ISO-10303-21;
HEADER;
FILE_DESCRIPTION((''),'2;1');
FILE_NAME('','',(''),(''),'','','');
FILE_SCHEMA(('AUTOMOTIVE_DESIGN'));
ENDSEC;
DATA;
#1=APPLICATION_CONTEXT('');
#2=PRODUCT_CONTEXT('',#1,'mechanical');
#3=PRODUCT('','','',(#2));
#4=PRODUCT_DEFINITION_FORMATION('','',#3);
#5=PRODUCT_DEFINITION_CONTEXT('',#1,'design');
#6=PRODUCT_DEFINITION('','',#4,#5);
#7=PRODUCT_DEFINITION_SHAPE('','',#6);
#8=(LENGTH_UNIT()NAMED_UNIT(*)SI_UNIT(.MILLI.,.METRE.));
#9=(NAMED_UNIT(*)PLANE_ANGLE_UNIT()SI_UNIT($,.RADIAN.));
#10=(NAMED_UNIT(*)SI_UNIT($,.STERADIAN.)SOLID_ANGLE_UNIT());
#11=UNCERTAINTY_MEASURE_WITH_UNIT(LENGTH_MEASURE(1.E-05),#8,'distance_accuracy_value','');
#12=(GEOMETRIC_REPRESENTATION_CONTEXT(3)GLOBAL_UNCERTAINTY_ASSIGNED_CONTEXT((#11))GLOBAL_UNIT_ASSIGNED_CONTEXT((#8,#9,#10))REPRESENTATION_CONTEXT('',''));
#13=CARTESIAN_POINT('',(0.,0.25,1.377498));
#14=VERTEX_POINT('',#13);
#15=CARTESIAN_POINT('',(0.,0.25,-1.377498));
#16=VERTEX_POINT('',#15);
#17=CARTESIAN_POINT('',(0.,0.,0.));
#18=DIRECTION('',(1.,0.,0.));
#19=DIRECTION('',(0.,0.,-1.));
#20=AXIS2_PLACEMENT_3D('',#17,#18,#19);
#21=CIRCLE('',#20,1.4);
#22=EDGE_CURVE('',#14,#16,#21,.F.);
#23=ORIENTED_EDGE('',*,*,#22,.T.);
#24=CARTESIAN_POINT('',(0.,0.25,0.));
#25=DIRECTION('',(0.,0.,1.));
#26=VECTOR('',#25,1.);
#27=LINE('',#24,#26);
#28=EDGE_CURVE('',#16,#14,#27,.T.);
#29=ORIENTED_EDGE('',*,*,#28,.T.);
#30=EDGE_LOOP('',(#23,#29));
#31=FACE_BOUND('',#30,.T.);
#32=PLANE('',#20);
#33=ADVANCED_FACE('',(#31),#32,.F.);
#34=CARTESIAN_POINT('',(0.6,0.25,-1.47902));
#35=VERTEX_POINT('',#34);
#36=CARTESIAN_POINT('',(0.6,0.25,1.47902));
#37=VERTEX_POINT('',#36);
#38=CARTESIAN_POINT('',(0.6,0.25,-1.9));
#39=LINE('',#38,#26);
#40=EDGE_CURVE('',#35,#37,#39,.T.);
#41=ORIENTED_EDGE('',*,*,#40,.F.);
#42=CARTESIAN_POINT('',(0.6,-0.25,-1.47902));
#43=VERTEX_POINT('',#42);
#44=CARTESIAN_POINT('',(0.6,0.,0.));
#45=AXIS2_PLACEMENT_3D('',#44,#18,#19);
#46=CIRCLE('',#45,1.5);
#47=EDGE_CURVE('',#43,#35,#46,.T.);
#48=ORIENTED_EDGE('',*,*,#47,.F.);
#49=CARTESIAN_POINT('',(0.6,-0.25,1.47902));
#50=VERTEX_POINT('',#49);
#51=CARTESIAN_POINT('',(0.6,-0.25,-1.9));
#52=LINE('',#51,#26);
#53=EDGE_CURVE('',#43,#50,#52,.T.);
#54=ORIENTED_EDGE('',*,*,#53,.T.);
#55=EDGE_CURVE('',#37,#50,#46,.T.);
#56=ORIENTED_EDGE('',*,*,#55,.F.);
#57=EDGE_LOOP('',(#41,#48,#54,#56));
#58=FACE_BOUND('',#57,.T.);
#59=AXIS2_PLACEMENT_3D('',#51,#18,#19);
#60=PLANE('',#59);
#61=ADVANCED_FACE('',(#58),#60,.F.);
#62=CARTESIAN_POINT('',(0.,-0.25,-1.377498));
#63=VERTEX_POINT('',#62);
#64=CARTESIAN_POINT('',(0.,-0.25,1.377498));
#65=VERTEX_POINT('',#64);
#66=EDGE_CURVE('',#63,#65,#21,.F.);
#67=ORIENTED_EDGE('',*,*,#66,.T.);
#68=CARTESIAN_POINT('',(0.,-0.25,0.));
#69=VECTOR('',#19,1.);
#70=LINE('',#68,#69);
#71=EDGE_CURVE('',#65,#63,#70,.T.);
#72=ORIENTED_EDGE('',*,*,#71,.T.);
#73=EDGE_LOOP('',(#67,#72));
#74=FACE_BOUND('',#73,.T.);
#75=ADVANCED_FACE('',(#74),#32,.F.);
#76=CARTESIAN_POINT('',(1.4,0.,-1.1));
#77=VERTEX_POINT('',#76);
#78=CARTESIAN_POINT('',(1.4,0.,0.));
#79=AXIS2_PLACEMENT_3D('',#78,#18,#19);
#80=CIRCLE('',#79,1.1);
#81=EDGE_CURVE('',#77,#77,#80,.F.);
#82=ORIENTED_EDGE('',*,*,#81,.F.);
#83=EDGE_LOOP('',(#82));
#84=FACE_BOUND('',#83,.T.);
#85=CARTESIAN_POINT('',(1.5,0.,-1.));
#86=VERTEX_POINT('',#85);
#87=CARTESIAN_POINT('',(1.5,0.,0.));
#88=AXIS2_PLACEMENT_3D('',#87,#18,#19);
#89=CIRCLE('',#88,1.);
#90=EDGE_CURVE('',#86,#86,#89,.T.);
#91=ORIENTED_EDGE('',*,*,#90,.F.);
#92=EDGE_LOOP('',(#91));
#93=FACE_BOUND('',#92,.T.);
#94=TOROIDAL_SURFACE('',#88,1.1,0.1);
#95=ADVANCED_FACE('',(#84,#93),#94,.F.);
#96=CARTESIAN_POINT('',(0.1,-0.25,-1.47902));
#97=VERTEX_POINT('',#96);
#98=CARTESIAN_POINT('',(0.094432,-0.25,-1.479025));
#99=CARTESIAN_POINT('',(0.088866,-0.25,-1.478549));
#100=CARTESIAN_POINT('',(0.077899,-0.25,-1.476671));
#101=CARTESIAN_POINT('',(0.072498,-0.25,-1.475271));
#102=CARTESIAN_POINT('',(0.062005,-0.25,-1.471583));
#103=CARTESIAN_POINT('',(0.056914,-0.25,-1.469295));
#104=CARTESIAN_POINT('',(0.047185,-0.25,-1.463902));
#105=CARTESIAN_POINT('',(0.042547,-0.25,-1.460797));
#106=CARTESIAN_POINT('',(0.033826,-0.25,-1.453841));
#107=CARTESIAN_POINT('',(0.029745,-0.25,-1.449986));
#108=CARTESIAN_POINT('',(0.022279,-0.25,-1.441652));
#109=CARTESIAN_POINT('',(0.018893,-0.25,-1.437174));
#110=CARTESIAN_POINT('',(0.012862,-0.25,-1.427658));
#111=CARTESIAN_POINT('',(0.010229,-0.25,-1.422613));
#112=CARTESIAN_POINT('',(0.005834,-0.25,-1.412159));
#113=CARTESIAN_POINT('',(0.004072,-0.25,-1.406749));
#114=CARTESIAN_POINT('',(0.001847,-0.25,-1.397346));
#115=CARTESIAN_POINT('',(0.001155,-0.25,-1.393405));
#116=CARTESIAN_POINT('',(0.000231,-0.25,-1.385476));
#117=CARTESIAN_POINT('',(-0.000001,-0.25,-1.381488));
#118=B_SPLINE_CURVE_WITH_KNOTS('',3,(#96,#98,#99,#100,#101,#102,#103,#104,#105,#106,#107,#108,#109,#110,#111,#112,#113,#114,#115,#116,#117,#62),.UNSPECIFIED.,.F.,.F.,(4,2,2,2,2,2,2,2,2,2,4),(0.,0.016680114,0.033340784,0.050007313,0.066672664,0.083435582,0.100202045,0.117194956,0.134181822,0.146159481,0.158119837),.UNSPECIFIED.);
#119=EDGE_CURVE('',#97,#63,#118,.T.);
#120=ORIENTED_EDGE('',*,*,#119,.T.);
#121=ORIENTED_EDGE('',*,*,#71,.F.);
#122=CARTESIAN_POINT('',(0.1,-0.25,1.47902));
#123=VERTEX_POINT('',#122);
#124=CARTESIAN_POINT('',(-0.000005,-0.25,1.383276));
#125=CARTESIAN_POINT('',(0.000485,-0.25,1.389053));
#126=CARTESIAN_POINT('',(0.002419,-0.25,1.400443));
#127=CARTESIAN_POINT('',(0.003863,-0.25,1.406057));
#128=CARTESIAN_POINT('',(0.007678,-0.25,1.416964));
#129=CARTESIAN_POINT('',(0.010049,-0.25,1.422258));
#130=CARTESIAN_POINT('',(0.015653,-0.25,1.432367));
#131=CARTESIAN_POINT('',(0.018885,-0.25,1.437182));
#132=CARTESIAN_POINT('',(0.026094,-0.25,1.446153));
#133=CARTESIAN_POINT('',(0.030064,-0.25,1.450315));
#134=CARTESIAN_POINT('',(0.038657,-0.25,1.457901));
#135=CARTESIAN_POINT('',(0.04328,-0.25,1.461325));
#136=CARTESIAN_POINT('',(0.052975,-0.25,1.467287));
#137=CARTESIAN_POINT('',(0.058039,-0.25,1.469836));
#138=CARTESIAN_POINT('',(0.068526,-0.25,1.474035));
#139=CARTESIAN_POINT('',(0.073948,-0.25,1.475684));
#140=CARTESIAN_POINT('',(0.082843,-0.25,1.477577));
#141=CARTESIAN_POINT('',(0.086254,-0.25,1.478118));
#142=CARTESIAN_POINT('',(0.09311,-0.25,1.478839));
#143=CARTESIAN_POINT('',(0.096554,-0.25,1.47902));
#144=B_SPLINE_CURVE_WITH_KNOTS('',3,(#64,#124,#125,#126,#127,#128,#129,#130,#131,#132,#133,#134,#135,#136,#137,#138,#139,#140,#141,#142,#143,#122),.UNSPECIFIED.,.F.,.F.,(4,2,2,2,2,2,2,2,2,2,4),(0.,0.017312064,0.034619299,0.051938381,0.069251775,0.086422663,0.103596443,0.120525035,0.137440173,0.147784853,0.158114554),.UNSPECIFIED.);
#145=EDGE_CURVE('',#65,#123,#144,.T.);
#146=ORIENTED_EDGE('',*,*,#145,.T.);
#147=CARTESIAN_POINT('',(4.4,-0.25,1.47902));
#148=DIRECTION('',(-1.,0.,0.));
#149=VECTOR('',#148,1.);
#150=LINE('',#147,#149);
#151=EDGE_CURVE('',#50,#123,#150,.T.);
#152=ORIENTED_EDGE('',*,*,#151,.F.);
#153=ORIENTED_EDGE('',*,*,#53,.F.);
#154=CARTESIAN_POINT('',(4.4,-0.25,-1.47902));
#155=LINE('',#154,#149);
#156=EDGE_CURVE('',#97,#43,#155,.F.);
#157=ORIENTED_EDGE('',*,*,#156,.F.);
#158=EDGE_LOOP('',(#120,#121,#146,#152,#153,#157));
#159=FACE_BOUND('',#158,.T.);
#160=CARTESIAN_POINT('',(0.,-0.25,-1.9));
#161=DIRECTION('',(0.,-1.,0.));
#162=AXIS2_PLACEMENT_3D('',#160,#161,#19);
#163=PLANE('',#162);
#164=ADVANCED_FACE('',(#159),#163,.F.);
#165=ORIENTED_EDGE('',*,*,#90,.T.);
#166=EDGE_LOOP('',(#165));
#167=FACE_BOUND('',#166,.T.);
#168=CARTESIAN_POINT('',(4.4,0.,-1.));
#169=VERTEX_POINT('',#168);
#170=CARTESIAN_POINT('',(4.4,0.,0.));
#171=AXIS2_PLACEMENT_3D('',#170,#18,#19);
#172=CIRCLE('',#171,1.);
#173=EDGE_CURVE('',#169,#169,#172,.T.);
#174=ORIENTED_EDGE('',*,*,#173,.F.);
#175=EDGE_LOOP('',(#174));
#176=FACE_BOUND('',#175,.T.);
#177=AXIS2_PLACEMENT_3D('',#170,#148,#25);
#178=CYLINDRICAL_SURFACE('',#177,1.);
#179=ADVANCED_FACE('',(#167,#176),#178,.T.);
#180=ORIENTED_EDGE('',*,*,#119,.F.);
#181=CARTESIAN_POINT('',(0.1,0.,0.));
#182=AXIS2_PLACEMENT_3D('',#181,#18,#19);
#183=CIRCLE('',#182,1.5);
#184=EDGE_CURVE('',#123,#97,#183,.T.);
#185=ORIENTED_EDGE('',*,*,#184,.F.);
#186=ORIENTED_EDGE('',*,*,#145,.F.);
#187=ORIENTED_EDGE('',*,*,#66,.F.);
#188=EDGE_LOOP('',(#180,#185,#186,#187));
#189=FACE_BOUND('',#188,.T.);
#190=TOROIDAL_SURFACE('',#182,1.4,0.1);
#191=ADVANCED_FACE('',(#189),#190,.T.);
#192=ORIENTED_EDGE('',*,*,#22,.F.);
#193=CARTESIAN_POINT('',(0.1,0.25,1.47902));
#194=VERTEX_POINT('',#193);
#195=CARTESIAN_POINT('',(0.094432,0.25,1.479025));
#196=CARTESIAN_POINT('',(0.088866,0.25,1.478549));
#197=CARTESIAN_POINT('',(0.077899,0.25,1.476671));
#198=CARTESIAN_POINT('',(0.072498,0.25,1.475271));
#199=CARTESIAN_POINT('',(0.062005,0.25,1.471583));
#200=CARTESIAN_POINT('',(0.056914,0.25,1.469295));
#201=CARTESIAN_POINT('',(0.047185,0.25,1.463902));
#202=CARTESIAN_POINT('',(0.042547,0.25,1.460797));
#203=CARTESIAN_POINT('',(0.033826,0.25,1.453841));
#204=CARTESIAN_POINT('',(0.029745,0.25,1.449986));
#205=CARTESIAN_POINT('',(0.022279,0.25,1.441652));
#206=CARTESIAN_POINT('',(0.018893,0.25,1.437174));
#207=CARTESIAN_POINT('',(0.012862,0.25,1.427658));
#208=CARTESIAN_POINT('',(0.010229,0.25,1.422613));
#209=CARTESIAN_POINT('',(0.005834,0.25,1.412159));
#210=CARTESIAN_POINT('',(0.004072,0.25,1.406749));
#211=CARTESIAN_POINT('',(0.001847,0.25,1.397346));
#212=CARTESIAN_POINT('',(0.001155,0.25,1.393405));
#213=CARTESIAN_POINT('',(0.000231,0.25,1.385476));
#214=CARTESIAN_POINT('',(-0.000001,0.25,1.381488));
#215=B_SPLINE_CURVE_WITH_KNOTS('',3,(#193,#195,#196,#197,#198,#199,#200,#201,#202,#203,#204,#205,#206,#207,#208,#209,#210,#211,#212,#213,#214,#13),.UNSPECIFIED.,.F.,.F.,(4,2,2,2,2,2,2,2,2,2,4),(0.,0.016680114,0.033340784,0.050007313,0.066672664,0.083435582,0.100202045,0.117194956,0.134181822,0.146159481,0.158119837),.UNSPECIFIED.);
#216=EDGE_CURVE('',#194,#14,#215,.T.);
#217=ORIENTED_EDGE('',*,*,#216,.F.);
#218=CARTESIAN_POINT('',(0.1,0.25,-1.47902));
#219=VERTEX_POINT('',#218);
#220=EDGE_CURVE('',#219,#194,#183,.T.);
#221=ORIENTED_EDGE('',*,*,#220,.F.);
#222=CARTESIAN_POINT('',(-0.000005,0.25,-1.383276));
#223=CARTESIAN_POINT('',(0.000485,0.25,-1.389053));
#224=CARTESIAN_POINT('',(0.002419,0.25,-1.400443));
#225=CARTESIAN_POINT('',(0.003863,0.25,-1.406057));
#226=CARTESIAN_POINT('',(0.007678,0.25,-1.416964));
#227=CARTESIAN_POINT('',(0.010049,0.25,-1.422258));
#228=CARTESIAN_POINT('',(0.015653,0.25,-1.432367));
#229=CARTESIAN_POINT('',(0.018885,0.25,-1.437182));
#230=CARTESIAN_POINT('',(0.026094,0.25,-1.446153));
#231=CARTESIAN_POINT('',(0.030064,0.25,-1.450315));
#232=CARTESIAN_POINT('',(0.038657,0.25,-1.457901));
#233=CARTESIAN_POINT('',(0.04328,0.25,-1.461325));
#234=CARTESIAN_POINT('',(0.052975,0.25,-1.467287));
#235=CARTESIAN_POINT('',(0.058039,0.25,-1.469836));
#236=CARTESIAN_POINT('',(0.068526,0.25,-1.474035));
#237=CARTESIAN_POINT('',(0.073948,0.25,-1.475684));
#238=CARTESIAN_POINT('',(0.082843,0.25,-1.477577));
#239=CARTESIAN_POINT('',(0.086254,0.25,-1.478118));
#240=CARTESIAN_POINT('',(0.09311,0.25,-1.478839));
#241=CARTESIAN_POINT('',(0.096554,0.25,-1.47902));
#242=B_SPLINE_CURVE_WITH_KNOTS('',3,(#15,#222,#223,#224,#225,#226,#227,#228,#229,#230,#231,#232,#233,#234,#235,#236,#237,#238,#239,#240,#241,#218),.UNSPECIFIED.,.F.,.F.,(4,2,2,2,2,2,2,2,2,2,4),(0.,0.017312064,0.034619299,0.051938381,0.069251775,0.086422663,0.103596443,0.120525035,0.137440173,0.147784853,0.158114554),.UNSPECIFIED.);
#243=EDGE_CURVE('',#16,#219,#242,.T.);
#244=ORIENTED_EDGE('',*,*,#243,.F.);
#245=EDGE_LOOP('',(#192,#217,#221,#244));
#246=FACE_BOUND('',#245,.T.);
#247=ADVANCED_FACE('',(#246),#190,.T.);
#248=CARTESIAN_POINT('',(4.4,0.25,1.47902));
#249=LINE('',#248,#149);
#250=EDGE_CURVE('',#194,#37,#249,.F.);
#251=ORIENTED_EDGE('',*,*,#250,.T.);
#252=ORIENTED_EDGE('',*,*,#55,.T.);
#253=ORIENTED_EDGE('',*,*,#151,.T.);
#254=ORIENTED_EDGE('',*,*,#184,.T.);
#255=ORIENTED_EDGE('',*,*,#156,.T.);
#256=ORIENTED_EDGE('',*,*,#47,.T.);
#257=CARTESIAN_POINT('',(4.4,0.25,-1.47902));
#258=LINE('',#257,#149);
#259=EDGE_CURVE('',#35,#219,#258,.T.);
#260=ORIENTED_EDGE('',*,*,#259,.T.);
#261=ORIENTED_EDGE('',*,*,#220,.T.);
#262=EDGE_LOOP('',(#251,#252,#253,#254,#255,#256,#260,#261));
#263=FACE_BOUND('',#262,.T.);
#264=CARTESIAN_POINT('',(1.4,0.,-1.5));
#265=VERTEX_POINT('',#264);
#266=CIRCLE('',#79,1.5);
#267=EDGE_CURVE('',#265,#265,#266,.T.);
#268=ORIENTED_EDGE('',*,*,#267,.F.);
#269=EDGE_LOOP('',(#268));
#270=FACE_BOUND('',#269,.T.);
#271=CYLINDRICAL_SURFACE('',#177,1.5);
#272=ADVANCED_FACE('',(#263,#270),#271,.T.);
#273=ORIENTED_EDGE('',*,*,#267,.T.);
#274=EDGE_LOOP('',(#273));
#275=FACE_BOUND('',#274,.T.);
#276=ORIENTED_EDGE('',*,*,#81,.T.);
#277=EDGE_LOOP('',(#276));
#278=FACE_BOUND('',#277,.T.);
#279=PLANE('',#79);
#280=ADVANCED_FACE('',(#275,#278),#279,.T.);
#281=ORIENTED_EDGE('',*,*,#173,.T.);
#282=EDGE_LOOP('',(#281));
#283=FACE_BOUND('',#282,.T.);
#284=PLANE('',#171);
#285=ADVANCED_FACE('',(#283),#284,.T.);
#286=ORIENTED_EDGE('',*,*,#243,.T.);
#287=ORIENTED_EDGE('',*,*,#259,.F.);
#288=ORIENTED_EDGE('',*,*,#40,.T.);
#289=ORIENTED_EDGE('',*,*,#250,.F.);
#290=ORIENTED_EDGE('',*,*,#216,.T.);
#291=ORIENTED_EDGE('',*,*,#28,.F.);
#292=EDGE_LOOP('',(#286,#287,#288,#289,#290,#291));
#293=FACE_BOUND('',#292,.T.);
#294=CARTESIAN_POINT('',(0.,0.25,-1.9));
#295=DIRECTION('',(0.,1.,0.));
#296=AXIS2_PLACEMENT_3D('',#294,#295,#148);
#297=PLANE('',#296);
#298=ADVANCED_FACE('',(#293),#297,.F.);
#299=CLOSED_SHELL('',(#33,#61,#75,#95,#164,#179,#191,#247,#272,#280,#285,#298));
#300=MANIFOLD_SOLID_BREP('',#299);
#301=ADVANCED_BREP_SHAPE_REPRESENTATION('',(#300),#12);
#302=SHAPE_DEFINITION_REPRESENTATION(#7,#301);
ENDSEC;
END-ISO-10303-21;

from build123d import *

# Parameters (mm, degrees)
SKETCH2_R           = 1.9
BASEHEAD_DEPTH      = 1.4
BASEHEAD_DRAFT      = -3
SKETCH3_R           = 1
BASEBODY_DEPTH      = 3
SLOT_DEPTH          = 8.598684097
SLOT_DEPTH_BACK     = 8.598684097
SKETCH4_W           = 0.5
SKETCH4_H           = 0.6
HEADFILLET_R        = 0.1
SKETCH_1_OUTSIDE_W  = 7.19
SKETCH_1_OUTSIDE_H  = 7.19
SKETCH_1_OUTSIDE_R  = 1.5
CUT_EXTRUDE_1_DEPTH = 6.155579502
FILLET_1_R          = 0.1


with BuildPart() as part:
    # Sketch2 → BaseHead (with draft: the straight prism first)
    with BuildSketch(Plane(origin=(1.4, 0, 0), x_dir=(0, 0, -1), z_dir=(1, 0, 0))):
        Circle(SKETCH2_R)
    extrude(amount=-BASEHEAD_DEPTH)
    # BaseHead: the draft: its side faces are tilted about the plane it starts from
    basehead_sides = [part.faces().sort_by_distance(p)[0] for p in [
        (0.7, 0, 1.9),
    ]]
    draft(basehead_sides, Plane(origin=(1.4, 0, 0), x_dir=(0, 0, -1), z_dir=(1, 0, 0)), BASEHEAD_DRAFT)

    # Sketch3 → BaseBody (add)
    with BuildSketch(Plane(origin=(1.4, -1.110095321, -1.354392991), x_dir=(0, 0, -1), z_dir=(1, 0, 0))):
        with Locations((-1.354392991, 1.110095321)):
            Circle(SKETCH3_R)
    extrude(amount=BASEBODY_DEPTH)

    # Sketch4 → Slot (cut, two sides: drawn at the far end of the back side and taken through both)
    with BuildSketch(Plane(origin=(-1.9, -1.9, 0), x_dir=(0, 1, 0), z_dir=(0, 0, 1)).offset(-SLOT_DEPTH_BACK)):
        with Locations((1.9, -2.2)):
            Rectangle(SKETCH4_W, SKETCH4_H)
    extrude(amount=SLOT_DEPTH + SLOT_DEPTH_BACK, mode=Mode.SUBTRACT)

    # HeadFillet
    headfillet_edges = [part.edges().sort_by_distance(p)[0] for p in [
        (1.4, 0, 1),
        (0, -1.826629109, 0),
        (0, 1.826629109, 0),
    ]]
    fillet(headfillet_edges, radius=HEADFILLET_R)

    # 草图1 outside → 切除-拉伸1 (cut, through all)
    with BuildSketch(Plane.ZY):
        Rectangle(SKETCH_1_OUTSIDE_W, SKETCH_1_OUTSIDE_H)
        with Locations(Location((0, 0, 0), (0, 0, 350.405931773))):
            Circle(SKETCH_1_OUTSIDE_R, mode=Mode.SUBTRACT)
    extrude(amount=-CUT_EXTRUDE_1_DEPTH, mode=Mode.SUBTRACT)

    # 圆角1
    fillet_1_edges = [part.edges().sort_by_distance(p)[0] for p in [
        (0, 1.5, 0),
        (0, -1.5, 0),
    ]]
    fillet(fillet_1_edges, radius=FILLET_1_R)


solid = part.part
